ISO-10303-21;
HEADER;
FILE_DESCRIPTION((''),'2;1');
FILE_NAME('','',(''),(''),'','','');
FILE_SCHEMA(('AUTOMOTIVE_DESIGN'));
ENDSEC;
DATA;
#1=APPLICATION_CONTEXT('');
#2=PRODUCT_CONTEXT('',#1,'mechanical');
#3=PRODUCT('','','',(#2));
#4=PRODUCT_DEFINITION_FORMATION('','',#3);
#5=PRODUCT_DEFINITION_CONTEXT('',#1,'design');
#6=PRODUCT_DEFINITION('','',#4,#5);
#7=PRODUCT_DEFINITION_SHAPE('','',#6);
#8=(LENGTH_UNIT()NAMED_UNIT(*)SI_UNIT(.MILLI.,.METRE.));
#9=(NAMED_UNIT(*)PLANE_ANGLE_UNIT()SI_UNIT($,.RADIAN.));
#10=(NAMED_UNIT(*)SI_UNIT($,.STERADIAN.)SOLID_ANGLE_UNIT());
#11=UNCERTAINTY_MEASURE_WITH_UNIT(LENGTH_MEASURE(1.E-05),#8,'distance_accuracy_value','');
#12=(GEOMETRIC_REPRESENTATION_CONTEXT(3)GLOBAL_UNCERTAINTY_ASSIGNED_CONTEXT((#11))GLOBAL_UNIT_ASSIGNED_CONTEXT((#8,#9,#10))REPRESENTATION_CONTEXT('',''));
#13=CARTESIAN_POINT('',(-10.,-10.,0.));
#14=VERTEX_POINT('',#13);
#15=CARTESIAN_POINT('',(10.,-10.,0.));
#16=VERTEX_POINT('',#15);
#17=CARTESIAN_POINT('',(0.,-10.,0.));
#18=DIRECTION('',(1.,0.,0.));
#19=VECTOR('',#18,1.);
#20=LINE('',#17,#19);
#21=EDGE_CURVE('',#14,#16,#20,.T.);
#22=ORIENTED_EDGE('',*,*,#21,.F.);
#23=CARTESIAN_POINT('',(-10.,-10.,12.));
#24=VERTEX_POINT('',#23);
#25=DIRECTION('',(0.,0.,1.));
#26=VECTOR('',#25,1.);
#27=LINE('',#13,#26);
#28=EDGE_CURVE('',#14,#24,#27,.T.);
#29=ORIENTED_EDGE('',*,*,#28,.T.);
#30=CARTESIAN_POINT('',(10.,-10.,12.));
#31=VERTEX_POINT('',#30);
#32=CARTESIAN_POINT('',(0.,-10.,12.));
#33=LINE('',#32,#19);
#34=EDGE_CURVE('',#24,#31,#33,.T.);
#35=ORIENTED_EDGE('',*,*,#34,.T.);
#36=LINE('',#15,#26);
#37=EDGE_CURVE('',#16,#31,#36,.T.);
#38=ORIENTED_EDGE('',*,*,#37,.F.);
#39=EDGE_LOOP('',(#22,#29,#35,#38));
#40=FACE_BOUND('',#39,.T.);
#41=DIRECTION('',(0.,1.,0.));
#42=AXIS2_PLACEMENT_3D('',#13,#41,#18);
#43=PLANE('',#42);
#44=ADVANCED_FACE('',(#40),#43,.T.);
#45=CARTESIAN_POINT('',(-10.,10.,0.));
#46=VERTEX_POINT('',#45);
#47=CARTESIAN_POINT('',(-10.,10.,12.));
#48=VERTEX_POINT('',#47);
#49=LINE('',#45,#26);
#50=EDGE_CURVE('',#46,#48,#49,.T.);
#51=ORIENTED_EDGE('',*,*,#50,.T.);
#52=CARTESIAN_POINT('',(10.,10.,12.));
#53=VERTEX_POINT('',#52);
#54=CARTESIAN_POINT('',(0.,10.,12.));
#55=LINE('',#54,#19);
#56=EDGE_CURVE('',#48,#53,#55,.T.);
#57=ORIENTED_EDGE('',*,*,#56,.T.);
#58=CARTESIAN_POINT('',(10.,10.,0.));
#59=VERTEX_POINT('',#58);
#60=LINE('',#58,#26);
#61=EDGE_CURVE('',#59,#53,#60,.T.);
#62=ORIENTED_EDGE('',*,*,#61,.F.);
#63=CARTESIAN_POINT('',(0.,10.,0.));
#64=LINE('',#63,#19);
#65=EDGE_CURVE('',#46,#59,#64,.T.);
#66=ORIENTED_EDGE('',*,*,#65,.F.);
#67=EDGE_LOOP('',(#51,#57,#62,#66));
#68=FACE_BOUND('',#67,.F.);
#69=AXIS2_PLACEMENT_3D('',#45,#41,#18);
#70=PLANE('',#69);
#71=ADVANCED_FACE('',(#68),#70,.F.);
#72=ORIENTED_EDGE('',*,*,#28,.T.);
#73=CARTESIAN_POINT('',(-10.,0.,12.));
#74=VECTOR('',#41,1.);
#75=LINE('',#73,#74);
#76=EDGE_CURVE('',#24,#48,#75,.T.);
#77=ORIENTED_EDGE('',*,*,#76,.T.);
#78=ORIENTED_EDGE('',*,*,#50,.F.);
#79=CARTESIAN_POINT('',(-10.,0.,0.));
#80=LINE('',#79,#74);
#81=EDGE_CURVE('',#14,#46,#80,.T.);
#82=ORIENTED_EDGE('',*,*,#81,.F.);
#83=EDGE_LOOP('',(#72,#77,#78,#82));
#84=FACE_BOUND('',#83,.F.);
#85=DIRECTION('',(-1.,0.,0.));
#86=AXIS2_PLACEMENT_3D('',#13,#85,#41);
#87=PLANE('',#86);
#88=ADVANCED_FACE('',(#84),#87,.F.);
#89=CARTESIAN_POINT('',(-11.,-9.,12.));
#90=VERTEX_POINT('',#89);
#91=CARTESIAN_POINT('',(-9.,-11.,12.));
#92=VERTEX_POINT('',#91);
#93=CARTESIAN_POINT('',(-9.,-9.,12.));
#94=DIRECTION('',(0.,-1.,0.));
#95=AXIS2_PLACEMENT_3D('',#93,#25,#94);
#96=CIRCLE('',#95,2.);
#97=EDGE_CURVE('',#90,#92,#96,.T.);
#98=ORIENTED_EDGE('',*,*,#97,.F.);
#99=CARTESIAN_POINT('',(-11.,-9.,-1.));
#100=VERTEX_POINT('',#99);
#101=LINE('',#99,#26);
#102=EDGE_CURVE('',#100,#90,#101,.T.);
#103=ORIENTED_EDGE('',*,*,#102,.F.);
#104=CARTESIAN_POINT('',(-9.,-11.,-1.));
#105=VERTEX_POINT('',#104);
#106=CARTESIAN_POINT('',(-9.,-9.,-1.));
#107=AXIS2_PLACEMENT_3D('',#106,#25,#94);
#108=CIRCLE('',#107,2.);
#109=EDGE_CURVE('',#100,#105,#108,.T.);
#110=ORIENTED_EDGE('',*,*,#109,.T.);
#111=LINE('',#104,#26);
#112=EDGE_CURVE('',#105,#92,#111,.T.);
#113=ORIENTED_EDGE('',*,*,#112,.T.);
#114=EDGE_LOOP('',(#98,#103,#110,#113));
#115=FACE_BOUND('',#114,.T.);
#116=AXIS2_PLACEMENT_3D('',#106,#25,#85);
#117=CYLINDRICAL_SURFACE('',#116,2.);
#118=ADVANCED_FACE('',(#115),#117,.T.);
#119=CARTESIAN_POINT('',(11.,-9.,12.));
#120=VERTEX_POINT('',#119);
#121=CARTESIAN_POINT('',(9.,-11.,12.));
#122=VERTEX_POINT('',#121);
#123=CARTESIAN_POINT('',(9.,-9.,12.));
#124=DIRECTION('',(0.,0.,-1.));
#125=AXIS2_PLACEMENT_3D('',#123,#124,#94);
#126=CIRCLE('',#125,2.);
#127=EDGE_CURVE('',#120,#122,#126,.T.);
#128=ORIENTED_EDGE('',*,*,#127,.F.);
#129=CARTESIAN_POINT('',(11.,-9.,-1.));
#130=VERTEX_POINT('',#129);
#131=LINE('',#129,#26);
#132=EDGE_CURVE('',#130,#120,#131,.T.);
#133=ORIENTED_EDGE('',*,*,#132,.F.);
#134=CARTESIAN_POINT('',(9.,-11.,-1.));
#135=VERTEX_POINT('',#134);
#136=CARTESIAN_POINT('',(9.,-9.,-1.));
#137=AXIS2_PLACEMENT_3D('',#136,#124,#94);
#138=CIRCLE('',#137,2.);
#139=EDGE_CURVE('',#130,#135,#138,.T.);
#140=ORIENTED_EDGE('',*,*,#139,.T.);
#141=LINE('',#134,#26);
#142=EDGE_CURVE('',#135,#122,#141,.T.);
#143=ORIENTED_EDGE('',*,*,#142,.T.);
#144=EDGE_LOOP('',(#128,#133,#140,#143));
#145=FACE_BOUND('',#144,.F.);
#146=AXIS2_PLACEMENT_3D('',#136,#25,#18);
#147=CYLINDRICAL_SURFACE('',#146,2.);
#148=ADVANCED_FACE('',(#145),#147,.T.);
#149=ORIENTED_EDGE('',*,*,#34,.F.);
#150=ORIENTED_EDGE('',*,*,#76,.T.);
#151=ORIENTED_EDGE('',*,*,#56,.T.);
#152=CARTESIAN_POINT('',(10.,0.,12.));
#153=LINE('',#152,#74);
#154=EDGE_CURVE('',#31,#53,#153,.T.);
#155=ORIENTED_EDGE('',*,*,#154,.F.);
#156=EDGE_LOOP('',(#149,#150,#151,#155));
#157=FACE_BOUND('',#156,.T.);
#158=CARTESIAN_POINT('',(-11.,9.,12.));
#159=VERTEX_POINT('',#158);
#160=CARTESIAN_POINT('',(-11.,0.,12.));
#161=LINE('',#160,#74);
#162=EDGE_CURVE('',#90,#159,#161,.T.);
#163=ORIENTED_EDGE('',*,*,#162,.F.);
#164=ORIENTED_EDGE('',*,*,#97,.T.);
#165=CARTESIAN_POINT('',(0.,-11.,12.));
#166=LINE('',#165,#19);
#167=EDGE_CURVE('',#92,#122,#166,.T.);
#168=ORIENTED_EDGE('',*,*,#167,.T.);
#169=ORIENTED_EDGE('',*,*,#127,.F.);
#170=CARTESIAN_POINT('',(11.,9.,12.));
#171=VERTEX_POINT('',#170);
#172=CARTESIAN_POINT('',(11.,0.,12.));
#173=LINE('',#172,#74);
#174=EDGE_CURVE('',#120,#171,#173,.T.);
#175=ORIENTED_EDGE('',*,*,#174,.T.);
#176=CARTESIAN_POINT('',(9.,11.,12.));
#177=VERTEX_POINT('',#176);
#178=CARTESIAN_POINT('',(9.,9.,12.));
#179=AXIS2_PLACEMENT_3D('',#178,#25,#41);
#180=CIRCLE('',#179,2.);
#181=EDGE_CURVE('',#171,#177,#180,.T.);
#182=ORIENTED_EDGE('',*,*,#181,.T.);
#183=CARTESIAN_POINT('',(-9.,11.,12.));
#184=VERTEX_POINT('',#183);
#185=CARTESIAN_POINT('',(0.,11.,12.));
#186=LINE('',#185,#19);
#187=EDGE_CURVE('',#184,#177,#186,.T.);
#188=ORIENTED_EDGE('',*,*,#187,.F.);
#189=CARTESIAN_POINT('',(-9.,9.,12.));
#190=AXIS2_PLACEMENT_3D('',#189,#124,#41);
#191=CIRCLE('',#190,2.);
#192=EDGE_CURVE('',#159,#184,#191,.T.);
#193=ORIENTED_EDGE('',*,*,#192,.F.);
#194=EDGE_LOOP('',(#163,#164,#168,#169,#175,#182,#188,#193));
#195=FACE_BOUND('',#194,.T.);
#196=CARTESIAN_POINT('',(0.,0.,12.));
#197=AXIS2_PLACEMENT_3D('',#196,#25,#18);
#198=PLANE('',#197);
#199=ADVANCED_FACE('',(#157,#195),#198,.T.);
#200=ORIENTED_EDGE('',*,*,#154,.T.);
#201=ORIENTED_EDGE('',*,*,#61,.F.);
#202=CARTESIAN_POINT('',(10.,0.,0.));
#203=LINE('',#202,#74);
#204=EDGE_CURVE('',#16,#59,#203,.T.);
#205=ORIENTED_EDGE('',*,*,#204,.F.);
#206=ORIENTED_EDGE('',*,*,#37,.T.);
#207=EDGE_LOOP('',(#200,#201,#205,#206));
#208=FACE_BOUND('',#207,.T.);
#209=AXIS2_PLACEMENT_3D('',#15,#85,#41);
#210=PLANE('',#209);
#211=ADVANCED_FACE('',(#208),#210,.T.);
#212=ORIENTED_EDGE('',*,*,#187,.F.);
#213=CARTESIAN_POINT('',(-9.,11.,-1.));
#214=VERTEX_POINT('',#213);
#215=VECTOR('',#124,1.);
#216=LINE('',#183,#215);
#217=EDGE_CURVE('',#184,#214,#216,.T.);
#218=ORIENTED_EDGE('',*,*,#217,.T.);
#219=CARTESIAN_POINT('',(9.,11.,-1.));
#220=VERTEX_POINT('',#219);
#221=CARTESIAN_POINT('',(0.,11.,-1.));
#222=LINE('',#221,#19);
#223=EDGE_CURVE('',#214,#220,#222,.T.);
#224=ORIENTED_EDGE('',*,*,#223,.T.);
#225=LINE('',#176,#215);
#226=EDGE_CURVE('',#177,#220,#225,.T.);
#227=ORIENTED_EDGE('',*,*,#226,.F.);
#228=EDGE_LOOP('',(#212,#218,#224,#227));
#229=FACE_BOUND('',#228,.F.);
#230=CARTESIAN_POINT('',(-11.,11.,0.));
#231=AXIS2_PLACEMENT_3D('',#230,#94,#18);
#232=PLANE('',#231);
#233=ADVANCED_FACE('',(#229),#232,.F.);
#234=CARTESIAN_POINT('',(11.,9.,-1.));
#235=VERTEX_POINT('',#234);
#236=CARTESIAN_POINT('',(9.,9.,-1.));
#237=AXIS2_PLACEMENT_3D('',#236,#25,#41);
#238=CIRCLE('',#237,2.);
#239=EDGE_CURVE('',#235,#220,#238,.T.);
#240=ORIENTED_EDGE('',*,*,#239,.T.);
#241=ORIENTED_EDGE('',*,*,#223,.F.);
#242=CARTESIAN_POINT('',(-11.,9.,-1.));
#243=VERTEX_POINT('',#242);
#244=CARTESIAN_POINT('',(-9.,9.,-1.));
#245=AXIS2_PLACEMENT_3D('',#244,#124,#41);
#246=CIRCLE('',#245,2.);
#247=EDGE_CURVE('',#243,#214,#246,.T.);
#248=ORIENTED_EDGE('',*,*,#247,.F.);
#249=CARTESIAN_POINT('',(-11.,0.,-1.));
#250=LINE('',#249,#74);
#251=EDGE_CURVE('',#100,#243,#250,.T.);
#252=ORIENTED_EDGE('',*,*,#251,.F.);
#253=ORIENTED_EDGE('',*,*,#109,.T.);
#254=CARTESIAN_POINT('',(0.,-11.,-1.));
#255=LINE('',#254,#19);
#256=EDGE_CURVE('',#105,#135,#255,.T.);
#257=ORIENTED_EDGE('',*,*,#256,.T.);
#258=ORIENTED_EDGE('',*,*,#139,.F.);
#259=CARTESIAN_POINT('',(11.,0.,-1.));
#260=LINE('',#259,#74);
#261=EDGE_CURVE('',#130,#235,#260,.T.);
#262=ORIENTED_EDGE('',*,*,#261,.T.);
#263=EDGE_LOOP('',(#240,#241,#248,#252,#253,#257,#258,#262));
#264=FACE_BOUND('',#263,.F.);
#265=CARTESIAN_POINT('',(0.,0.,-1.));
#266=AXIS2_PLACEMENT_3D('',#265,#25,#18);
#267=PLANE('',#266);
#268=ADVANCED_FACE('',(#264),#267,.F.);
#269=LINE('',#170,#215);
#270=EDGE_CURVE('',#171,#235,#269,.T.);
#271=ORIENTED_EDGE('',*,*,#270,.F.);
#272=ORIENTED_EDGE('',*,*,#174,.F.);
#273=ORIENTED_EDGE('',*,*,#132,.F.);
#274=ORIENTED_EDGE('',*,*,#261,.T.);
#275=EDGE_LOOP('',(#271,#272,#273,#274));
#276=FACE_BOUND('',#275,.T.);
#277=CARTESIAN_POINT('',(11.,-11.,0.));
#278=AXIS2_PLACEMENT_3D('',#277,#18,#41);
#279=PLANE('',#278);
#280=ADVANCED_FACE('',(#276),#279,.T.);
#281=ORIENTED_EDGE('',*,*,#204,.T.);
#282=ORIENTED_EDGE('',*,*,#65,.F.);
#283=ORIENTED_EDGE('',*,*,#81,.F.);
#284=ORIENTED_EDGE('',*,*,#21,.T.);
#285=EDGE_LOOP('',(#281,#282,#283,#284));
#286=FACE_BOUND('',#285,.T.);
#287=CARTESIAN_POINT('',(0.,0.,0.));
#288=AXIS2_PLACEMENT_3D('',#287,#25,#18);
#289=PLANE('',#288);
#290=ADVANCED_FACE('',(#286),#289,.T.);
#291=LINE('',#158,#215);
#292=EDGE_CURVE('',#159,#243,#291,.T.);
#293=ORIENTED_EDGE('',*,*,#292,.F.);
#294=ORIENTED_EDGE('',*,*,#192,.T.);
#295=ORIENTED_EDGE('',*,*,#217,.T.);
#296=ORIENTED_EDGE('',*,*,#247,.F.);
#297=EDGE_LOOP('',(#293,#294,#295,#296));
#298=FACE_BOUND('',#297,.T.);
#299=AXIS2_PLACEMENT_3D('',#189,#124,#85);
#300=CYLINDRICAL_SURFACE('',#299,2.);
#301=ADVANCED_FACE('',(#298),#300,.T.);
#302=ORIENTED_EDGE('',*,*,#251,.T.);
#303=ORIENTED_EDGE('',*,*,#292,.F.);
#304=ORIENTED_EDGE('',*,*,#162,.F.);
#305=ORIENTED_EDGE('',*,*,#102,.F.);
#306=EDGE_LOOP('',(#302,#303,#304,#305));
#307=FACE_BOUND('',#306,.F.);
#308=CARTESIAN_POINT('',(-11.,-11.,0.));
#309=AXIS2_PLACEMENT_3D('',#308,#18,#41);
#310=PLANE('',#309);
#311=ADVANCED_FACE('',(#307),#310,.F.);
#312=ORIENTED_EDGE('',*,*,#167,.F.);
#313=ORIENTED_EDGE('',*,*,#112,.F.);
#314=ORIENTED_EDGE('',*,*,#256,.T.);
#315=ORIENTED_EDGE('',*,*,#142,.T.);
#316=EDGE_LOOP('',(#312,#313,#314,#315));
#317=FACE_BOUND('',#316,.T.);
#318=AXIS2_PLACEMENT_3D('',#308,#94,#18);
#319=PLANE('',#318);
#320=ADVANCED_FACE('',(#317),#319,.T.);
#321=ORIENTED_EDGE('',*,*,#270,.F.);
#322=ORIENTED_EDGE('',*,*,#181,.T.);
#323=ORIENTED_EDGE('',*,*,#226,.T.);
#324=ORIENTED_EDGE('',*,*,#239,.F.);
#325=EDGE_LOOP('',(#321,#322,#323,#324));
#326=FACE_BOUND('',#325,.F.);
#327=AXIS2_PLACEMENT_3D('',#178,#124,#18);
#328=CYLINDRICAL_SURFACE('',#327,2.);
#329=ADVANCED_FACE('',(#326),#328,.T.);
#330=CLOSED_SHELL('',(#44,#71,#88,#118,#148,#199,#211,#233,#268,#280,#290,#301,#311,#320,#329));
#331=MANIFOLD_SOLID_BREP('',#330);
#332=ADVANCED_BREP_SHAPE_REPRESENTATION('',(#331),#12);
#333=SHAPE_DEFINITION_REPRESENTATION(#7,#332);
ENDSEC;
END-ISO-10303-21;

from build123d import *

# Parameters (mm, degrees)
F0_W     = 22
F0_H     = 22
F0_W_2   = 20
F0_H_2   = 20
F1_DEPTH = 12
F2_DEPTH = 1
F3_R     = 2


with BuildPart() as f1:
    # F0 (on Top) → F1 (new body)
    with BuildSketch(Plane.XY):
        Rectangle(F0_W, F0_H)
        Rectangle(F0_W_2, F0_H_2, mode=Mode.SUBTRACT)
    extrude(amount=F1_DEPTH)

    # F0 (on Top) → F2 (join)
    with BuildSketch(Plane.XY):
        Rectangle(F0_W, F0_H)
        Rectangle(F0_W_2, F0_H_2, mode=Mode.SUBTRACT)
        Rectangle(F0_W_2, F0_H_2)
    extrude(amount=-F2_DEPTH)

    # F3
    f3_edges = [f1.edges().sort_by_distance(p)[0] for p in [
        (-11, 11, 5.5),
        (-11, -11, 5.5),
        (11, 11, 5.5),
        (11, -11, 5.5),
    ]]
    fillet(f3_edges, radius=F3_R)


solid = f1.part
